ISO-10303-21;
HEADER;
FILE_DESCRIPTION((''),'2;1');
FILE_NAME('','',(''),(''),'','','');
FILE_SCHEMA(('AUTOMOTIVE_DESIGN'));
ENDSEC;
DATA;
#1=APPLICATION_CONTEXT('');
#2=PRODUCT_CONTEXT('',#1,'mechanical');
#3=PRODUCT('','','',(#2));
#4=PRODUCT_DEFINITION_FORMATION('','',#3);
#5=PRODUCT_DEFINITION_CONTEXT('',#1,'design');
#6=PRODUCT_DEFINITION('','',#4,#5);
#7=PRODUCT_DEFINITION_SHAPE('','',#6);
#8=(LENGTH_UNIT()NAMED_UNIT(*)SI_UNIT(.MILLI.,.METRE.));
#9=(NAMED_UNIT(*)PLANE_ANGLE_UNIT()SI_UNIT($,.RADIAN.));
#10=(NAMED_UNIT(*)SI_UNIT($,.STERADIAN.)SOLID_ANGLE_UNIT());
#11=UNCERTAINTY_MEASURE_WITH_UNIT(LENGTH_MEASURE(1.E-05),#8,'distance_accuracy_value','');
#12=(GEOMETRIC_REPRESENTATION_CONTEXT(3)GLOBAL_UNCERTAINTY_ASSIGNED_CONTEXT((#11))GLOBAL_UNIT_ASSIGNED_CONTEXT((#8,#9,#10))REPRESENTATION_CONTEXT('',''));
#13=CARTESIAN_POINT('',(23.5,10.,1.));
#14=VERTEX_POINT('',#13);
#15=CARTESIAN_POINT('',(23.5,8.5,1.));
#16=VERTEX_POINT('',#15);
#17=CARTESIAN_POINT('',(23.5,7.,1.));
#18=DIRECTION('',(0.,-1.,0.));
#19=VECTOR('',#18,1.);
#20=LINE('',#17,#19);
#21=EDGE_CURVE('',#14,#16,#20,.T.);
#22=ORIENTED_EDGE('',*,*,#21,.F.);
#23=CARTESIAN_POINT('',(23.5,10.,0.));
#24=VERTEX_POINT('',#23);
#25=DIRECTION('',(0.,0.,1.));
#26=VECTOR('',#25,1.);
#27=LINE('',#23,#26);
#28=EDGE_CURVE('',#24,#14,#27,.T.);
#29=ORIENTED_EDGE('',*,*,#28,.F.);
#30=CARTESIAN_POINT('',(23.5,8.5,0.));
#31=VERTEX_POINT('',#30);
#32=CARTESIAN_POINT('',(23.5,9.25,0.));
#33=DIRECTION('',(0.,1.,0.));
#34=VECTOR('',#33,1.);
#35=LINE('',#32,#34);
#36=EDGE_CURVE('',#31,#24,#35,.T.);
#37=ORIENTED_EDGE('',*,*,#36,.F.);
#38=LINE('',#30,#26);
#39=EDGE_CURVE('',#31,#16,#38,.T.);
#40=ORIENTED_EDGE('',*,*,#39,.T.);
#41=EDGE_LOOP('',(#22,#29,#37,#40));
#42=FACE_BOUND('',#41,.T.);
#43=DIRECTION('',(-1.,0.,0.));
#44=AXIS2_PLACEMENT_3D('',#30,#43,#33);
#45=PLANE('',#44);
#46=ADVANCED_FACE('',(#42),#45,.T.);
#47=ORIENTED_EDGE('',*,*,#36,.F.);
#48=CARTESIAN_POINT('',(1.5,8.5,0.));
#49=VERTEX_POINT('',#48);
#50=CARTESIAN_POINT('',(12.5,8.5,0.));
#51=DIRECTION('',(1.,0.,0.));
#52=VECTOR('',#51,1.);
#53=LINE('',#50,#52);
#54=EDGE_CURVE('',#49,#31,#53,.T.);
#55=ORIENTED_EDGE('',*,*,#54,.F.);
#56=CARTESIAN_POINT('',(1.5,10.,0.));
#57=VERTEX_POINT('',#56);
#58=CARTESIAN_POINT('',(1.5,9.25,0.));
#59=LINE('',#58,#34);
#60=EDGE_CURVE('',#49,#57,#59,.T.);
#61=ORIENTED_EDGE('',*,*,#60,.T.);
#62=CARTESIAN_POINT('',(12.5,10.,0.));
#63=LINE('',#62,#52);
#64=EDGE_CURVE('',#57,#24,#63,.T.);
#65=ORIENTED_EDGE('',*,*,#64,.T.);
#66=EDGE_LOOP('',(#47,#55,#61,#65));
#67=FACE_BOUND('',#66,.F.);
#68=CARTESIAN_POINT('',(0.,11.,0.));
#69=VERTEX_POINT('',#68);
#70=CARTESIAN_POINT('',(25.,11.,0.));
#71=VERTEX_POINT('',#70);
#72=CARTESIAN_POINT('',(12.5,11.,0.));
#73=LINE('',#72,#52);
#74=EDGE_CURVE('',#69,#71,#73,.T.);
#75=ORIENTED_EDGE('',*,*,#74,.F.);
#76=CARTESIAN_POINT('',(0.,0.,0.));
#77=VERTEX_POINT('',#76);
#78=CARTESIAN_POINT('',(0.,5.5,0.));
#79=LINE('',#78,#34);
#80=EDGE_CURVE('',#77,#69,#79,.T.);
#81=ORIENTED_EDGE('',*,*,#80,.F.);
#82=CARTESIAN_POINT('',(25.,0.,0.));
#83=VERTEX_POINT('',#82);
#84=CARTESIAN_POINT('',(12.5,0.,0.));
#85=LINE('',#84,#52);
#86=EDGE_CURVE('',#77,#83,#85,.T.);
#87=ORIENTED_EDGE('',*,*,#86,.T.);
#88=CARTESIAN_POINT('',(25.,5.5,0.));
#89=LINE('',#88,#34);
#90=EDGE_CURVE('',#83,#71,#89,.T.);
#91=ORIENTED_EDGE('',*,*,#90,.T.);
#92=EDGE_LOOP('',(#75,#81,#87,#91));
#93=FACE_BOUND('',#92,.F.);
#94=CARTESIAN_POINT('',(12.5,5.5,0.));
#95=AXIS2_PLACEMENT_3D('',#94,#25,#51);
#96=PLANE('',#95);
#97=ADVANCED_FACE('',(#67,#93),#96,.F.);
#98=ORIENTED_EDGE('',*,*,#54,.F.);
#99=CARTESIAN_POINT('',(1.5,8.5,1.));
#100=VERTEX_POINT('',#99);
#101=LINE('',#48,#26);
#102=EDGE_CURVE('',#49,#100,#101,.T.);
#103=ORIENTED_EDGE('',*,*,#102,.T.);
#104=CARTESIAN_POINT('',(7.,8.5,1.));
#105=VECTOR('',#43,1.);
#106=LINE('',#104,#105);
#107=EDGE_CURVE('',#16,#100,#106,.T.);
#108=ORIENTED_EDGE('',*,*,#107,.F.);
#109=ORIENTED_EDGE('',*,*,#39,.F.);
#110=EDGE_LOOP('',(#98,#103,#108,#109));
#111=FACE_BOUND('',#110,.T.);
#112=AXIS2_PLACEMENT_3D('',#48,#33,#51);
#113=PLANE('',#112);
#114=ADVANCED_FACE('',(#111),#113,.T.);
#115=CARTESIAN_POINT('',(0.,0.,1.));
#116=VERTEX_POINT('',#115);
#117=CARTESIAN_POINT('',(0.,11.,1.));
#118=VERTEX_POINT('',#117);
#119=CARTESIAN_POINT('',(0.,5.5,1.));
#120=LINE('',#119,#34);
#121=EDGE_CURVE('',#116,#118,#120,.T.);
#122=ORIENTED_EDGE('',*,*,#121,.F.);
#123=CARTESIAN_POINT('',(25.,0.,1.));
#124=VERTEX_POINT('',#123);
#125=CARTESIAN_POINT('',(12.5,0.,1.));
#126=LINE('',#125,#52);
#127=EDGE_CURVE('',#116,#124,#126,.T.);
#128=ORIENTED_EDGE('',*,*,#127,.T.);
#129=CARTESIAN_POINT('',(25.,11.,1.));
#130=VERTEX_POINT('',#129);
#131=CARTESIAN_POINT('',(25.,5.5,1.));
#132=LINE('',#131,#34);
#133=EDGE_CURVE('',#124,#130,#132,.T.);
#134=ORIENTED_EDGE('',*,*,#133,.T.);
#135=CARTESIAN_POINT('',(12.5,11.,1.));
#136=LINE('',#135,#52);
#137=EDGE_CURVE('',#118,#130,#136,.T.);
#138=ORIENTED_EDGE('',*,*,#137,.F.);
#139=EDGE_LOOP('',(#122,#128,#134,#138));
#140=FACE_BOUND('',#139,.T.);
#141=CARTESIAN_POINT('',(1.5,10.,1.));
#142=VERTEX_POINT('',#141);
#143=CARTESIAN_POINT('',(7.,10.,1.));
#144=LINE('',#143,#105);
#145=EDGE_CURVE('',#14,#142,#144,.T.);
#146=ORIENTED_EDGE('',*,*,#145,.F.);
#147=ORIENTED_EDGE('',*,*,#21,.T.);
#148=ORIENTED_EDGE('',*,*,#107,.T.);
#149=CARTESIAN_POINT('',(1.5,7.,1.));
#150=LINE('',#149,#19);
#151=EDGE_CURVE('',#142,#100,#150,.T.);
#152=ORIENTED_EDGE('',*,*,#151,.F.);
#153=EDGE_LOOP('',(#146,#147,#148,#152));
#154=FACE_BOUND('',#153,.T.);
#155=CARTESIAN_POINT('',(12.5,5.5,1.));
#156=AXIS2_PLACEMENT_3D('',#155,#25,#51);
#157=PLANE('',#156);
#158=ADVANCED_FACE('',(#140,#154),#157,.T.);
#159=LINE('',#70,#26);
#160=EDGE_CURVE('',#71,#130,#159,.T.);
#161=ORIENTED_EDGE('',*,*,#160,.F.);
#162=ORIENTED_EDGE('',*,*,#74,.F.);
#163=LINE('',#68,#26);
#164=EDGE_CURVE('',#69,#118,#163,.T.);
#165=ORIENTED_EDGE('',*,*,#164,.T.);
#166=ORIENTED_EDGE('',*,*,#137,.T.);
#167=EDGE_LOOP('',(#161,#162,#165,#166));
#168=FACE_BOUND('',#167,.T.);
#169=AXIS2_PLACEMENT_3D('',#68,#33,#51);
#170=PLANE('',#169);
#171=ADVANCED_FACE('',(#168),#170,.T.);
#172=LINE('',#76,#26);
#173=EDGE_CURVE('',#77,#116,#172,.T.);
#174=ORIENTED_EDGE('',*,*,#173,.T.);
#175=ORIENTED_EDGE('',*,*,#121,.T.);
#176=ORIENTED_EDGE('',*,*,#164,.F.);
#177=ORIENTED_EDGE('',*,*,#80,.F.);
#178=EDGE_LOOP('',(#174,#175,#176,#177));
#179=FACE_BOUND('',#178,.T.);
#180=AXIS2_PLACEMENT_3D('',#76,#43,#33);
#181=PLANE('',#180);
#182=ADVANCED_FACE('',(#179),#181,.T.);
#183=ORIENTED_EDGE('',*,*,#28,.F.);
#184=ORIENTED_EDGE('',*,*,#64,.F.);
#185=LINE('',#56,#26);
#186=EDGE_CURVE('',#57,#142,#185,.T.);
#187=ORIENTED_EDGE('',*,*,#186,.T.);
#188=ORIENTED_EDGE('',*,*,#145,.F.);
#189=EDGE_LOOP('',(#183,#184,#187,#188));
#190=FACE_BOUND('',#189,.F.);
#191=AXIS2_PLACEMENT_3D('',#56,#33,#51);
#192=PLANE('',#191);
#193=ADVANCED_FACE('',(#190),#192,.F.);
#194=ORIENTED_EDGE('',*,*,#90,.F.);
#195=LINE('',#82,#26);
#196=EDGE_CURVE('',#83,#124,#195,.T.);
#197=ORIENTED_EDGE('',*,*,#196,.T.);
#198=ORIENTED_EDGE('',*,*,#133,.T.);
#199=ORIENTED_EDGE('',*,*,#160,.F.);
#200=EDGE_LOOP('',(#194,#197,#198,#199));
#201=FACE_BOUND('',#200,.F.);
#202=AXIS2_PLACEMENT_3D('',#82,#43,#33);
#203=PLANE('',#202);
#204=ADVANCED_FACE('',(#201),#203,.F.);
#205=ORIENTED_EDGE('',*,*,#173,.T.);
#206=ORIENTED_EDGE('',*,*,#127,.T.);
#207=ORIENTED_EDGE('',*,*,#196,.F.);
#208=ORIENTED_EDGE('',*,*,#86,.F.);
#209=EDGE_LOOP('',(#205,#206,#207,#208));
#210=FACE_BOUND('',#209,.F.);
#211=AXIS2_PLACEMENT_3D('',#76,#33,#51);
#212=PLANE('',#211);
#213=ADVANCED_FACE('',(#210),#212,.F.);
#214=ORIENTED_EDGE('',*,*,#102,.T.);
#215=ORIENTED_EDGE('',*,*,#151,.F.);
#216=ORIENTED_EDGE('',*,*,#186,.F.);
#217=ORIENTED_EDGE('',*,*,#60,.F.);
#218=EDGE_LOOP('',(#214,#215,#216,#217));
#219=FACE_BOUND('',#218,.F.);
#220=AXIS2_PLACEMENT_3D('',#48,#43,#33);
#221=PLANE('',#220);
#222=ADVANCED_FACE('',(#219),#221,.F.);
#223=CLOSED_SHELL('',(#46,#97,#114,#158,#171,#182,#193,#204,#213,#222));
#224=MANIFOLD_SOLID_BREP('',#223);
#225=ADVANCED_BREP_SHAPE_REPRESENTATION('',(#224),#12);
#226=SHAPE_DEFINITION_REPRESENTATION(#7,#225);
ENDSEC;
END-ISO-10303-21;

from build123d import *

# Parameters (mm, degrees)
BOX148_W     = 22
BOX148_H     = 1.5
BOX148_DEPTH = 2
BOX146_W     = 25
BOX146_H     = 11
BOX146_DEPTH = 1


with BuildPart() as longledhole010:
    # Box148 → Box148 (new body)
    with BuildSketch(Plane(origin=(1.5, 8.5, 0), x_dir=(1, 0, 0), z_dir=(0, 0, 1))):
        with Locations((11, 0.75)):
            Rectangle(BOX148_W, BOX148_H)
    extrude(amount=BOX148_DEPTH)


with BuildPart() as cut027:
    # Box146 → Box146 (new body)
    with BuildSketch(Plane.XY):
        with Locations((12.5, 5.5)):
            Rectangle(BOX146_W, BOX146_H)
    extrude(amount=BOX146_DEPTH)

    # Cut027: cut LongLedHole010
    add(longledhole010.part, mode=Mode.SUBTRACT)


solid = cut027.part
